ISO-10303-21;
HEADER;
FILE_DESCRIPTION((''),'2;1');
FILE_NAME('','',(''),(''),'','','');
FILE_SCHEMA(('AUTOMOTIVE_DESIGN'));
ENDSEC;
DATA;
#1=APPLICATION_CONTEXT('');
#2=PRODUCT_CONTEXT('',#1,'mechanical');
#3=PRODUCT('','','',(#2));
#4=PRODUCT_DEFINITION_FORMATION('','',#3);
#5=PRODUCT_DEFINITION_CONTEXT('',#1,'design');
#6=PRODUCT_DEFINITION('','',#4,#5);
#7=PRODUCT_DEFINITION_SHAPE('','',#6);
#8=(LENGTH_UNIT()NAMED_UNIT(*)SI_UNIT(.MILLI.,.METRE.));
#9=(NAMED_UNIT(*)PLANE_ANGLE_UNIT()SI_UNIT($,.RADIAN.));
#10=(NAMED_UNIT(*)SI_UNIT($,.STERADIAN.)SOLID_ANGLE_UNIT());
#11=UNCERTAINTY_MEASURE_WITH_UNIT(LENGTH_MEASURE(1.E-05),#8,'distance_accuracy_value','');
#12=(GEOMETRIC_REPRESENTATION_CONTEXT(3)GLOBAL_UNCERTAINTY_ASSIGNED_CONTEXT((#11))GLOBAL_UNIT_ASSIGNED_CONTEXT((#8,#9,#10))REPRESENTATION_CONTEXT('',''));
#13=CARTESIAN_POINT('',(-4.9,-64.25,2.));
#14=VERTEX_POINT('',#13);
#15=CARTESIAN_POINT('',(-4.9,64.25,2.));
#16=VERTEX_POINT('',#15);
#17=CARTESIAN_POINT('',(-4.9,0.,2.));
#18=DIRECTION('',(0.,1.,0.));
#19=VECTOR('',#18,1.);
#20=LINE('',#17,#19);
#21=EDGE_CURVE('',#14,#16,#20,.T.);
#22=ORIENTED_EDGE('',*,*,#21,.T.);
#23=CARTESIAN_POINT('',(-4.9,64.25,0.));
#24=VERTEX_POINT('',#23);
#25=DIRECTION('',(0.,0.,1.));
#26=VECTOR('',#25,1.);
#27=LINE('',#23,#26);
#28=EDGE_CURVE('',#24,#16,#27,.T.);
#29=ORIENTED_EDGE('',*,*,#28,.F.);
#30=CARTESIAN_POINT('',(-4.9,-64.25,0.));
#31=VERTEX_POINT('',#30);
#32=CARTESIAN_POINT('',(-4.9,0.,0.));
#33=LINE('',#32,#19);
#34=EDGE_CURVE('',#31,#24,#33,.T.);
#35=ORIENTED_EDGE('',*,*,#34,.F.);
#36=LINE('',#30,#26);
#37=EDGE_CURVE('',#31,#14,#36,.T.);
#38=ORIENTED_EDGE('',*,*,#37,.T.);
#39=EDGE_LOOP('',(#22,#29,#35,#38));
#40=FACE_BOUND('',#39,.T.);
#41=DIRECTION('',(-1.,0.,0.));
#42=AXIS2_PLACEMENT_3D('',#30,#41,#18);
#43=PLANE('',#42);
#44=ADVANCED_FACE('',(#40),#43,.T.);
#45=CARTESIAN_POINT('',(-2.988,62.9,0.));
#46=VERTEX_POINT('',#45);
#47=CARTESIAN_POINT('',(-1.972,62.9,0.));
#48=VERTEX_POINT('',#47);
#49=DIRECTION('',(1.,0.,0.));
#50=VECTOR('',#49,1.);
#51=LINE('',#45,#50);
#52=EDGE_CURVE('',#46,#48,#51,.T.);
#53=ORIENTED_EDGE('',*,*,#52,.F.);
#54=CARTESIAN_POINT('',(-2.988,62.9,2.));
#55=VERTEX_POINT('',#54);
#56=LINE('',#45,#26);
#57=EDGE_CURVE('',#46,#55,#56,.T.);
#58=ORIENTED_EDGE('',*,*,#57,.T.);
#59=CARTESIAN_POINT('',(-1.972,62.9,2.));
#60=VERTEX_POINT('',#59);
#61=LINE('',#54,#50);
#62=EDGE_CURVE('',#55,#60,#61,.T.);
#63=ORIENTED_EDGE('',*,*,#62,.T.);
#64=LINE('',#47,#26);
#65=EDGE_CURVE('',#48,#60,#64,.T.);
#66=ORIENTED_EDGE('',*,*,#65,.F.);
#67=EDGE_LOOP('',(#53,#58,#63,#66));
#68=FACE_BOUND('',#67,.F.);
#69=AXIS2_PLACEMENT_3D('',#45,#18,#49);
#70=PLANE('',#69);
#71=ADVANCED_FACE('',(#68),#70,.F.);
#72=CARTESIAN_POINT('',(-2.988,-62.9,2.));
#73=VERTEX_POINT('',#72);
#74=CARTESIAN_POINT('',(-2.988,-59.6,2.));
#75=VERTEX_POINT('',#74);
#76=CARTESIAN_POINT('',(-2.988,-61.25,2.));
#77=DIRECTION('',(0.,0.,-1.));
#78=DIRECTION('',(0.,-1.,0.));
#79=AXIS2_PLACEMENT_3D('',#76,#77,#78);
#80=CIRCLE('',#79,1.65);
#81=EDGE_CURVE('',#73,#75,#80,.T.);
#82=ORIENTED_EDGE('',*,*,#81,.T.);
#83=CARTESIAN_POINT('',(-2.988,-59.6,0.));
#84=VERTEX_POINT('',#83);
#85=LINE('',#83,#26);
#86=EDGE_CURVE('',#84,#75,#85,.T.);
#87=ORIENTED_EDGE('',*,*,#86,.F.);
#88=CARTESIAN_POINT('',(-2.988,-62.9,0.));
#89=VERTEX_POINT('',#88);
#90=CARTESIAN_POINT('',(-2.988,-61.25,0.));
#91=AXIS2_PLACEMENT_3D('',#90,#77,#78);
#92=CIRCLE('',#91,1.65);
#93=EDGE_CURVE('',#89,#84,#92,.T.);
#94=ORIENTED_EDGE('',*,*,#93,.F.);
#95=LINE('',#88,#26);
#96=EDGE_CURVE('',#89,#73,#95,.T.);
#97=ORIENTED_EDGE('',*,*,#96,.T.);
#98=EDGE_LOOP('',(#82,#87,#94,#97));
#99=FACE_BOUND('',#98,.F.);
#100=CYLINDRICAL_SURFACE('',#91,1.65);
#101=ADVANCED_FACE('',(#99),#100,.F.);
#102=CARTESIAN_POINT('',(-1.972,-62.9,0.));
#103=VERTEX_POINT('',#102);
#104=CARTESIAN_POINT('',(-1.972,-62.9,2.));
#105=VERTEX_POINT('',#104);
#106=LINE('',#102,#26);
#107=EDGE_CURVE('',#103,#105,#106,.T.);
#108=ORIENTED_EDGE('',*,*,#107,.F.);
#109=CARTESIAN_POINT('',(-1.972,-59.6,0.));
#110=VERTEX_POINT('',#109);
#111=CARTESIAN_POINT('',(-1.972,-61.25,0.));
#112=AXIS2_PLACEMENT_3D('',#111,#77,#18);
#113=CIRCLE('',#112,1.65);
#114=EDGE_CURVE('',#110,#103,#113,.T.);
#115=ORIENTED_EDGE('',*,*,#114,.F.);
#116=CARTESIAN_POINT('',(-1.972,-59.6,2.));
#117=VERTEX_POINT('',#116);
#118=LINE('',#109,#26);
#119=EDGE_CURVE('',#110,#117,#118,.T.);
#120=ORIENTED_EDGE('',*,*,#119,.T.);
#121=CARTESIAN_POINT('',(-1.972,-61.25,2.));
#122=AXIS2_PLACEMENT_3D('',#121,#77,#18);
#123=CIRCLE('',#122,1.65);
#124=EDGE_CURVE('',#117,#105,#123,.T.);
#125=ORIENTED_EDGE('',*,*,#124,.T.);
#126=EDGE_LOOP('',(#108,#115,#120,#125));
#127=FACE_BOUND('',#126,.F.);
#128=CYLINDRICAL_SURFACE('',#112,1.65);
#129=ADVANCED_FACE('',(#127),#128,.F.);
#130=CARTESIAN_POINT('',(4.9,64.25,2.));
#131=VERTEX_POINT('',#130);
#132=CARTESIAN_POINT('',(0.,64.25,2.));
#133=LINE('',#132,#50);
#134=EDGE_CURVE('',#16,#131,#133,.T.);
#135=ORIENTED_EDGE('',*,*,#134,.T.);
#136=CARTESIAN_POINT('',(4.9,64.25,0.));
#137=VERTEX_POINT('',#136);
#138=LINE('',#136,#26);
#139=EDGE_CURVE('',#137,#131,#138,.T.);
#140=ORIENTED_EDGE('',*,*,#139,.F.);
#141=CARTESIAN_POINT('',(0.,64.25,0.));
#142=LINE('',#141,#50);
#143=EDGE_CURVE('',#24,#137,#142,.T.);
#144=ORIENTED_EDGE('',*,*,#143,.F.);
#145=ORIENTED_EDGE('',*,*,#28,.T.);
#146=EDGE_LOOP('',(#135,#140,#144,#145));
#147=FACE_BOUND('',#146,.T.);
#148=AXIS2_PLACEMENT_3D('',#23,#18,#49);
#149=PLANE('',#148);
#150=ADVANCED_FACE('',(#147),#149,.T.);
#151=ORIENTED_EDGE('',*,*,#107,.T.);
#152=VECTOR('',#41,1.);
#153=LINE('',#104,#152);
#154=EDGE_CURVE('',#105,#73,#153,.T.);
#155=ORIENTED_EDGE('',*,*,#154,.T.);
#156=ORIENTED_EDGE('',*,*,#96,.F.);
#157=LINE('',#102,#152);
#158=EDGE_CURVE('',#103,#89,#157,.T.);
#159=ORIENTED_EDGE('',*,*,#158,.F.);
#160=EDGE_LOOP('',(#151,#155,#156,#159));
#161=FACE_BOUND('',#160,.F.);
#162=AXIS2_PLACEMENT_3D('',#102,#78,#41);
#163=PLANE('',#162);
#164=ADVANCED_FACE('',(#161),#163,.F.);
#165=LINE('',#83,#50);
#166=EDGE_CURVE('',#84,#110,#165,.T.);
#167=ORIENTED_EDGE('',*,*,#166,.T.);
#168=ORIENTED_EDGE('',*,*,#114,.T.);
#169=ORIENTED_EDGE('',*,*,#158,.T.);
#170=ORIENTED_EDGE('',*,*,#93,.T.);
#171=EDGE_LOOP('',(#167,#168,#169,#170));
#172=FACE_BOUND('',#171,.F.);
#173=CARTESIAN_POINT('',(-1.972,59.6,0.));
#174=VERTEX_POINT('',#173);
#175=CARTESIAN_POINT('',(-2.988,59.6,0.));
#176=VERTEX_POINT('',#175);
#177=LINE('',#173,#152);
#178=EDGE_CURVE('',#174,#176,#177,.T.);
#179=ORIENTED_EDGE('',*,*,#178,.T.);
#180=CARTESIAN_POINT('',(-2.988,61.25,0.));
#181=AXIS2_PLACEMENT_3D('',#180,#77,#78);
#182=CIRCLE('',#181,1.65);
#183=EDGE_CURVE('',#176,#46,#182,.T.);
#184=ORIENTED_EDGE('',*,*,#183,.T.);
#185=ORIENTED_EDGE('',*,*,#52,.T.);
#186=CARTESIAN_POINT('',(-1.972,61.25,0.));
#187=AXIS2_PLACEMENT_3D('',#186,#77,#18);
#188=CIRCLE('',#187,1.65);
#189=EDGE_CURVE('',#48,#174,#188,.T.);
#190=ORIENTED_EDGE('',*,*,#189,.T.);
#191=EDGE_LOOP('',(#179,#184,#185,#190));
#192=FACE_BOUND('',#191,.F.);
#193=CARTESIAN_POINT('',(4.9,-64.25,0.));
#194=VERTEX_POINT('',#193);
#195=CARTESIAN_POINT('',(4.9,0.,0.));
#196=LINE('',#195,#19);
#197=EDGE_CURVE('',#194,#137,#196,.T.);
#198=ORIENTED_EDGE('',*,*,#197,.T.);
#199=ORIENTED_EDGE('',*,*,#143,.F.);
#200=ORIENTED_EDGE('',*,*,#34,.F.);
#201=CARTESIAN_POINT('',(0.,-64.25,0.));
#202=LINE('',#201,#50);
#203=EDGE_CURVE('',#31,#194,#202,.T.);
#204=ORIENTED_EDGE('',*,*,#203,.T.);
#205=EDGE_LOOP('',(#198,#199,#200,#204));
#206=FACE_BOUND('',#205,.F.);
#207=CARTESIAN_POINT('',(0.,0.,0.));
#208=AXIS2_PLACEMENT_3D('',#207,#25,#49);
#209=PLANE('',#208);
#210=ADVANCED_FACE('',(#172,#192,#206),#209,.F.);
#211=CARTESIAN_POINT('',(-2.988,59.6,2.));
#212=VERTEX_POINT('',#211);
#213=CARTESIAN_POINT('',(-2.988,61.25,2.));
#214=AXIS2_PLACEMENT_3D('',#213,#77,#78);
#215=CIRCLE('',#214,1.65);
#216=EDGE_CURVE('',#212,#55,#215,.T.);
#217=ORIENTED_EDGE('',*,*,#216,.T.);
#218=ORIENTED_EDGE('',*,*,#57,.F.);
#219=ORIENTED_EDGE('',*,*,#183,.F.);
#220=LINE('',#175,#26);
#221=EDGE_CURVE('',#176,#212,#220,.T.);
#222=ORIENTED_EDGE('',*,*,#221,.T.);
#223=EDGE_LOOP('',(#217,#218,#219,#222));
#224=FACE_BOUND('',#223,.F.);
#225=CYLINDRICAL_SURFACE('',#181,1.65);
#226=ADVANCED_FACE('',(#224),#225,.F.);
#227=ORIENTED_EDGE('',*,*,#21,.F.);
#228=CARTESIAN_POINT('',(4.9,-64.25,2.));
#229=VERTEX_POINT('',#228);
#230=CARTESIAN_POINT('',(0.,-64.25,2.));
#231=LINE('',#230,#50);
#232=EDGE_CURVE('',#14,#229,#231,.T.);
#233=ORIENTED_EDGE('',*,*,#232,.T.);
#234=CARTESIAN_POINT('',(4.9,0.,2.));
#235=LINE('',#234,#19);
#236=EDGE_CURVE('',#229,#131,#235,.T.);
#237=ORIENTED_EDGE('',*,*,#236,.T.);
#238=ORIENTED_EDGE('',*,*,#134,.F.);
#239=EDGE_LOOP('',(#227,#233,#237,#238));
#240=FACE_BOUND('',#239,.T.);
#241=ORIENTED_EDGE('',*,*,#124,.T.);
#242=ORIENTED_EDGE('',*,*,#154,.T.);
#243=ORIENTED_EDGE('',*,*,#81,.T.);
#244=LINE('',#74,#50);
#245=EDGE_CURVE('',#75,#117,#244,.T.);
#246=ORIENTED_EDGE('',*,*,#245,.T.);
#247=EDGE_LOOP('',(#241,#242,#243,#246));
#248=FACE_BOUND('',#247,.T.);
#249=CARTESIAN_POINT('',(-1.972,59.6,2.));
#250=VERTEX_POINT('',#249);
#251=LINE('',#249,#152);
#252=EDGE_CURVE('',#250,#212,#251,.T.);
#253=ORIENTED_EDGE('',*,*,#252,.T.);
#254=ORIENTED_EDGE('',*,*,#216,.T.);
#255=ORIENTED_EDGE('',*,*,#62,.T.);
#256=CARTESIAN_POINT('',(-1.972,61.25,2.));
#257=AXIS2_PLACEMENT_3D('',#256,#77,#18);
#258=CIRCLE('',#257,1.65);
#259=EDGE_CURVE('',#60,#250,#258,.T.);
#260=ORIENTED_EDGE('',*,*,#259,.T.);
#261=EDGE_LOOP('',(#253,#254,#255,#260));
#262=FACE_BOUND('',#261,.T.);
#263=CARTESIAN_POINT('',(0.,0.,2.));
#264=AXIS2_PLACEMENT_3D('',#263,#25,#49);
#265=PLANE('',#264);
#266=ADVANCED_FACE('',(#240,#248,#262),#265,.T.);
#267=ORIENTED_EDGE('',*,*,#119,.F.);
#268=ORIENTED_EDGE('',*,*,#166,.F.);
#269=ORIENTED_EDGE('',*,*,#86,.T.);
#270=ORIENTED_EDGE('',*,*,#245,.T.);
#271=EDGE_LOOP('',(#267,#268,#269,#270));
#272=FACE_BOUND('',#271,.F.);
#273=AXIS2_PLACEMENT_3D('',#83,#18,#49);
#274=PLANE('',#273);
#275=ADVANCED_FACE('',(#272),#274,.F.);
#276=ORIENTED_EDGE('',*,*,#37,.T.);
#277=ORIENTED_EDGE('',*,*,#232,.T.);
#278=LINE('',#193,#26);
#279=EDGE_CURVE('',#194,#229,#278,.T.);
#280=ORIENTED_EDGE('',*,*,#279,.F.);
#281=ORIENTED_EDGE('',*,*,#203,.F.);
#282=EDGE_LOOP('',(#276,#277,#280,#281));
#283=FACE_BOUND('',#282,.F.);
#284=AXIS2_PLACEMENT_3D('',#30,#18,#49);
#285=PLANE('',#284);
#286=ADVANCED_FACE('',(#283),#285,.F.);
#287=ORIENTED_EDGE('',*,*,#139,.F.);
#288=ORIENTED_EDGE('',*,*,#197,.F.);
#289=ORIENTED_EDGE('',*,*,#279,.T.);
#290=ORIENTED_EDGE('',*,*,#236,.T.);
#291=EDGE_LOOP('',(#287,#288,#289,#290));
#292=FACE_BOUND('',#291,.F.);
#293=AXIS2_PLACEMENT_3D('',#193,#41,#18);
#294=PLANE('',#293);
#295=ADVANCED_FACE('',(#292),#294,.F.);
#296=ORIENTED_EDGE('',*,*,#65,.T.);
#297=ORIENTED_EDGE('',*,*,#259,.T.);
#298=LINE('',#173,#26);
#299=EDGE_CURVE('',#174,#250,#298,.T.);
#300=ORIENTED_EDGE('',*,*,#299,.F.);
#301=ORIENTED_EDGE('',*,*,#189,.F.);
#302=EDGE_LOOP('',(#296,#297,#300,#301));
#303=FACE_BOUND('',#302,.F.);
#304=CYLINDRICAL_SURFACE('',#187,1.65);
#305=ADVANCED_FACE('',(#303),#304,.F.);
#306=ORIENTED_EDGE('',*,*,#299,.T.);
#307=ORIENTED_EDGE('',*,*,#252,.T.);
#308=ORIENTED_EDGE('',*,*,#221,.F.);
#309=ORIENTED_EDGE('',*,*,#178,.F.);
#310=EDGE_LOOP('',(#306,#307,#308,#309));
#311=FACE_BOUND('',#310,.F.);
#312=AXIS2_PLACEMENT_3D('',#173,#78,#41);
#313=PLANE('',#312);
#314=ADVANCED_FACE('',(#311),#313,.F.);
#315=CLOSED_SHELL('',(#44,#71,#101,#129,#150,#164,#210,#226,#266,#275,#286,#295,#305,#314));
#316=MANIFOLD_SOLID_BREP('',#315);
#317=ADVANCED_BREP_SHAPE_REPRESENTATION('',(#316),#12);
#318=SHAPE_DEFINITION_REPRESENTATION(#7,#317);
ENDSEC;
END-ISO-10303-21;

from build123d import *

# Parameters (mm, degrees)
SKETCH1_W           = 9.8
SKETCH1_H           = 128.5
BOSS_EXTRUDE1_DEPTH = 2


with BuildPart() as part:
    # Sketch1 → Boss-Extrude1 (new body)
    with BuildSketch(Plane.XY):
        Rectangle(SKETCH1_W, SKETCH1_H)
        with BuildLine():
            Line((-2.988, -59.6), (-1.972, -59.6))
            ThreePointArc((-1.972, -59.6), (-0.322, -61.25), (-1.972, -62.9))
            Line((-1.972, -62.9), (-2.988, -62.9))
            ThreePointArc((-2.988, -62.9), (-4.638, -61.25), (-2.988, -59.6))
        make_face(mode=Mode.SUBTRACT)
        with BuildLine():
            Line((-2.988, 62.9), (-1.972, 62.9))
            ThreePointArc((-1.972, 62.9), (-0.322, 61.25), (-1.972, 59.6))
            Line((-1.972, 59.6), (-2.988, 59.6))
            ThreePointArc((-2.988, 59.6), (-4.638, 61.25), (-2.988, 62.9))
        make_face(mode=Mode.SUBTRACT)
    extrude(amount=BOSS_EXTRUDE1_DEPTH)


solid = part.part
